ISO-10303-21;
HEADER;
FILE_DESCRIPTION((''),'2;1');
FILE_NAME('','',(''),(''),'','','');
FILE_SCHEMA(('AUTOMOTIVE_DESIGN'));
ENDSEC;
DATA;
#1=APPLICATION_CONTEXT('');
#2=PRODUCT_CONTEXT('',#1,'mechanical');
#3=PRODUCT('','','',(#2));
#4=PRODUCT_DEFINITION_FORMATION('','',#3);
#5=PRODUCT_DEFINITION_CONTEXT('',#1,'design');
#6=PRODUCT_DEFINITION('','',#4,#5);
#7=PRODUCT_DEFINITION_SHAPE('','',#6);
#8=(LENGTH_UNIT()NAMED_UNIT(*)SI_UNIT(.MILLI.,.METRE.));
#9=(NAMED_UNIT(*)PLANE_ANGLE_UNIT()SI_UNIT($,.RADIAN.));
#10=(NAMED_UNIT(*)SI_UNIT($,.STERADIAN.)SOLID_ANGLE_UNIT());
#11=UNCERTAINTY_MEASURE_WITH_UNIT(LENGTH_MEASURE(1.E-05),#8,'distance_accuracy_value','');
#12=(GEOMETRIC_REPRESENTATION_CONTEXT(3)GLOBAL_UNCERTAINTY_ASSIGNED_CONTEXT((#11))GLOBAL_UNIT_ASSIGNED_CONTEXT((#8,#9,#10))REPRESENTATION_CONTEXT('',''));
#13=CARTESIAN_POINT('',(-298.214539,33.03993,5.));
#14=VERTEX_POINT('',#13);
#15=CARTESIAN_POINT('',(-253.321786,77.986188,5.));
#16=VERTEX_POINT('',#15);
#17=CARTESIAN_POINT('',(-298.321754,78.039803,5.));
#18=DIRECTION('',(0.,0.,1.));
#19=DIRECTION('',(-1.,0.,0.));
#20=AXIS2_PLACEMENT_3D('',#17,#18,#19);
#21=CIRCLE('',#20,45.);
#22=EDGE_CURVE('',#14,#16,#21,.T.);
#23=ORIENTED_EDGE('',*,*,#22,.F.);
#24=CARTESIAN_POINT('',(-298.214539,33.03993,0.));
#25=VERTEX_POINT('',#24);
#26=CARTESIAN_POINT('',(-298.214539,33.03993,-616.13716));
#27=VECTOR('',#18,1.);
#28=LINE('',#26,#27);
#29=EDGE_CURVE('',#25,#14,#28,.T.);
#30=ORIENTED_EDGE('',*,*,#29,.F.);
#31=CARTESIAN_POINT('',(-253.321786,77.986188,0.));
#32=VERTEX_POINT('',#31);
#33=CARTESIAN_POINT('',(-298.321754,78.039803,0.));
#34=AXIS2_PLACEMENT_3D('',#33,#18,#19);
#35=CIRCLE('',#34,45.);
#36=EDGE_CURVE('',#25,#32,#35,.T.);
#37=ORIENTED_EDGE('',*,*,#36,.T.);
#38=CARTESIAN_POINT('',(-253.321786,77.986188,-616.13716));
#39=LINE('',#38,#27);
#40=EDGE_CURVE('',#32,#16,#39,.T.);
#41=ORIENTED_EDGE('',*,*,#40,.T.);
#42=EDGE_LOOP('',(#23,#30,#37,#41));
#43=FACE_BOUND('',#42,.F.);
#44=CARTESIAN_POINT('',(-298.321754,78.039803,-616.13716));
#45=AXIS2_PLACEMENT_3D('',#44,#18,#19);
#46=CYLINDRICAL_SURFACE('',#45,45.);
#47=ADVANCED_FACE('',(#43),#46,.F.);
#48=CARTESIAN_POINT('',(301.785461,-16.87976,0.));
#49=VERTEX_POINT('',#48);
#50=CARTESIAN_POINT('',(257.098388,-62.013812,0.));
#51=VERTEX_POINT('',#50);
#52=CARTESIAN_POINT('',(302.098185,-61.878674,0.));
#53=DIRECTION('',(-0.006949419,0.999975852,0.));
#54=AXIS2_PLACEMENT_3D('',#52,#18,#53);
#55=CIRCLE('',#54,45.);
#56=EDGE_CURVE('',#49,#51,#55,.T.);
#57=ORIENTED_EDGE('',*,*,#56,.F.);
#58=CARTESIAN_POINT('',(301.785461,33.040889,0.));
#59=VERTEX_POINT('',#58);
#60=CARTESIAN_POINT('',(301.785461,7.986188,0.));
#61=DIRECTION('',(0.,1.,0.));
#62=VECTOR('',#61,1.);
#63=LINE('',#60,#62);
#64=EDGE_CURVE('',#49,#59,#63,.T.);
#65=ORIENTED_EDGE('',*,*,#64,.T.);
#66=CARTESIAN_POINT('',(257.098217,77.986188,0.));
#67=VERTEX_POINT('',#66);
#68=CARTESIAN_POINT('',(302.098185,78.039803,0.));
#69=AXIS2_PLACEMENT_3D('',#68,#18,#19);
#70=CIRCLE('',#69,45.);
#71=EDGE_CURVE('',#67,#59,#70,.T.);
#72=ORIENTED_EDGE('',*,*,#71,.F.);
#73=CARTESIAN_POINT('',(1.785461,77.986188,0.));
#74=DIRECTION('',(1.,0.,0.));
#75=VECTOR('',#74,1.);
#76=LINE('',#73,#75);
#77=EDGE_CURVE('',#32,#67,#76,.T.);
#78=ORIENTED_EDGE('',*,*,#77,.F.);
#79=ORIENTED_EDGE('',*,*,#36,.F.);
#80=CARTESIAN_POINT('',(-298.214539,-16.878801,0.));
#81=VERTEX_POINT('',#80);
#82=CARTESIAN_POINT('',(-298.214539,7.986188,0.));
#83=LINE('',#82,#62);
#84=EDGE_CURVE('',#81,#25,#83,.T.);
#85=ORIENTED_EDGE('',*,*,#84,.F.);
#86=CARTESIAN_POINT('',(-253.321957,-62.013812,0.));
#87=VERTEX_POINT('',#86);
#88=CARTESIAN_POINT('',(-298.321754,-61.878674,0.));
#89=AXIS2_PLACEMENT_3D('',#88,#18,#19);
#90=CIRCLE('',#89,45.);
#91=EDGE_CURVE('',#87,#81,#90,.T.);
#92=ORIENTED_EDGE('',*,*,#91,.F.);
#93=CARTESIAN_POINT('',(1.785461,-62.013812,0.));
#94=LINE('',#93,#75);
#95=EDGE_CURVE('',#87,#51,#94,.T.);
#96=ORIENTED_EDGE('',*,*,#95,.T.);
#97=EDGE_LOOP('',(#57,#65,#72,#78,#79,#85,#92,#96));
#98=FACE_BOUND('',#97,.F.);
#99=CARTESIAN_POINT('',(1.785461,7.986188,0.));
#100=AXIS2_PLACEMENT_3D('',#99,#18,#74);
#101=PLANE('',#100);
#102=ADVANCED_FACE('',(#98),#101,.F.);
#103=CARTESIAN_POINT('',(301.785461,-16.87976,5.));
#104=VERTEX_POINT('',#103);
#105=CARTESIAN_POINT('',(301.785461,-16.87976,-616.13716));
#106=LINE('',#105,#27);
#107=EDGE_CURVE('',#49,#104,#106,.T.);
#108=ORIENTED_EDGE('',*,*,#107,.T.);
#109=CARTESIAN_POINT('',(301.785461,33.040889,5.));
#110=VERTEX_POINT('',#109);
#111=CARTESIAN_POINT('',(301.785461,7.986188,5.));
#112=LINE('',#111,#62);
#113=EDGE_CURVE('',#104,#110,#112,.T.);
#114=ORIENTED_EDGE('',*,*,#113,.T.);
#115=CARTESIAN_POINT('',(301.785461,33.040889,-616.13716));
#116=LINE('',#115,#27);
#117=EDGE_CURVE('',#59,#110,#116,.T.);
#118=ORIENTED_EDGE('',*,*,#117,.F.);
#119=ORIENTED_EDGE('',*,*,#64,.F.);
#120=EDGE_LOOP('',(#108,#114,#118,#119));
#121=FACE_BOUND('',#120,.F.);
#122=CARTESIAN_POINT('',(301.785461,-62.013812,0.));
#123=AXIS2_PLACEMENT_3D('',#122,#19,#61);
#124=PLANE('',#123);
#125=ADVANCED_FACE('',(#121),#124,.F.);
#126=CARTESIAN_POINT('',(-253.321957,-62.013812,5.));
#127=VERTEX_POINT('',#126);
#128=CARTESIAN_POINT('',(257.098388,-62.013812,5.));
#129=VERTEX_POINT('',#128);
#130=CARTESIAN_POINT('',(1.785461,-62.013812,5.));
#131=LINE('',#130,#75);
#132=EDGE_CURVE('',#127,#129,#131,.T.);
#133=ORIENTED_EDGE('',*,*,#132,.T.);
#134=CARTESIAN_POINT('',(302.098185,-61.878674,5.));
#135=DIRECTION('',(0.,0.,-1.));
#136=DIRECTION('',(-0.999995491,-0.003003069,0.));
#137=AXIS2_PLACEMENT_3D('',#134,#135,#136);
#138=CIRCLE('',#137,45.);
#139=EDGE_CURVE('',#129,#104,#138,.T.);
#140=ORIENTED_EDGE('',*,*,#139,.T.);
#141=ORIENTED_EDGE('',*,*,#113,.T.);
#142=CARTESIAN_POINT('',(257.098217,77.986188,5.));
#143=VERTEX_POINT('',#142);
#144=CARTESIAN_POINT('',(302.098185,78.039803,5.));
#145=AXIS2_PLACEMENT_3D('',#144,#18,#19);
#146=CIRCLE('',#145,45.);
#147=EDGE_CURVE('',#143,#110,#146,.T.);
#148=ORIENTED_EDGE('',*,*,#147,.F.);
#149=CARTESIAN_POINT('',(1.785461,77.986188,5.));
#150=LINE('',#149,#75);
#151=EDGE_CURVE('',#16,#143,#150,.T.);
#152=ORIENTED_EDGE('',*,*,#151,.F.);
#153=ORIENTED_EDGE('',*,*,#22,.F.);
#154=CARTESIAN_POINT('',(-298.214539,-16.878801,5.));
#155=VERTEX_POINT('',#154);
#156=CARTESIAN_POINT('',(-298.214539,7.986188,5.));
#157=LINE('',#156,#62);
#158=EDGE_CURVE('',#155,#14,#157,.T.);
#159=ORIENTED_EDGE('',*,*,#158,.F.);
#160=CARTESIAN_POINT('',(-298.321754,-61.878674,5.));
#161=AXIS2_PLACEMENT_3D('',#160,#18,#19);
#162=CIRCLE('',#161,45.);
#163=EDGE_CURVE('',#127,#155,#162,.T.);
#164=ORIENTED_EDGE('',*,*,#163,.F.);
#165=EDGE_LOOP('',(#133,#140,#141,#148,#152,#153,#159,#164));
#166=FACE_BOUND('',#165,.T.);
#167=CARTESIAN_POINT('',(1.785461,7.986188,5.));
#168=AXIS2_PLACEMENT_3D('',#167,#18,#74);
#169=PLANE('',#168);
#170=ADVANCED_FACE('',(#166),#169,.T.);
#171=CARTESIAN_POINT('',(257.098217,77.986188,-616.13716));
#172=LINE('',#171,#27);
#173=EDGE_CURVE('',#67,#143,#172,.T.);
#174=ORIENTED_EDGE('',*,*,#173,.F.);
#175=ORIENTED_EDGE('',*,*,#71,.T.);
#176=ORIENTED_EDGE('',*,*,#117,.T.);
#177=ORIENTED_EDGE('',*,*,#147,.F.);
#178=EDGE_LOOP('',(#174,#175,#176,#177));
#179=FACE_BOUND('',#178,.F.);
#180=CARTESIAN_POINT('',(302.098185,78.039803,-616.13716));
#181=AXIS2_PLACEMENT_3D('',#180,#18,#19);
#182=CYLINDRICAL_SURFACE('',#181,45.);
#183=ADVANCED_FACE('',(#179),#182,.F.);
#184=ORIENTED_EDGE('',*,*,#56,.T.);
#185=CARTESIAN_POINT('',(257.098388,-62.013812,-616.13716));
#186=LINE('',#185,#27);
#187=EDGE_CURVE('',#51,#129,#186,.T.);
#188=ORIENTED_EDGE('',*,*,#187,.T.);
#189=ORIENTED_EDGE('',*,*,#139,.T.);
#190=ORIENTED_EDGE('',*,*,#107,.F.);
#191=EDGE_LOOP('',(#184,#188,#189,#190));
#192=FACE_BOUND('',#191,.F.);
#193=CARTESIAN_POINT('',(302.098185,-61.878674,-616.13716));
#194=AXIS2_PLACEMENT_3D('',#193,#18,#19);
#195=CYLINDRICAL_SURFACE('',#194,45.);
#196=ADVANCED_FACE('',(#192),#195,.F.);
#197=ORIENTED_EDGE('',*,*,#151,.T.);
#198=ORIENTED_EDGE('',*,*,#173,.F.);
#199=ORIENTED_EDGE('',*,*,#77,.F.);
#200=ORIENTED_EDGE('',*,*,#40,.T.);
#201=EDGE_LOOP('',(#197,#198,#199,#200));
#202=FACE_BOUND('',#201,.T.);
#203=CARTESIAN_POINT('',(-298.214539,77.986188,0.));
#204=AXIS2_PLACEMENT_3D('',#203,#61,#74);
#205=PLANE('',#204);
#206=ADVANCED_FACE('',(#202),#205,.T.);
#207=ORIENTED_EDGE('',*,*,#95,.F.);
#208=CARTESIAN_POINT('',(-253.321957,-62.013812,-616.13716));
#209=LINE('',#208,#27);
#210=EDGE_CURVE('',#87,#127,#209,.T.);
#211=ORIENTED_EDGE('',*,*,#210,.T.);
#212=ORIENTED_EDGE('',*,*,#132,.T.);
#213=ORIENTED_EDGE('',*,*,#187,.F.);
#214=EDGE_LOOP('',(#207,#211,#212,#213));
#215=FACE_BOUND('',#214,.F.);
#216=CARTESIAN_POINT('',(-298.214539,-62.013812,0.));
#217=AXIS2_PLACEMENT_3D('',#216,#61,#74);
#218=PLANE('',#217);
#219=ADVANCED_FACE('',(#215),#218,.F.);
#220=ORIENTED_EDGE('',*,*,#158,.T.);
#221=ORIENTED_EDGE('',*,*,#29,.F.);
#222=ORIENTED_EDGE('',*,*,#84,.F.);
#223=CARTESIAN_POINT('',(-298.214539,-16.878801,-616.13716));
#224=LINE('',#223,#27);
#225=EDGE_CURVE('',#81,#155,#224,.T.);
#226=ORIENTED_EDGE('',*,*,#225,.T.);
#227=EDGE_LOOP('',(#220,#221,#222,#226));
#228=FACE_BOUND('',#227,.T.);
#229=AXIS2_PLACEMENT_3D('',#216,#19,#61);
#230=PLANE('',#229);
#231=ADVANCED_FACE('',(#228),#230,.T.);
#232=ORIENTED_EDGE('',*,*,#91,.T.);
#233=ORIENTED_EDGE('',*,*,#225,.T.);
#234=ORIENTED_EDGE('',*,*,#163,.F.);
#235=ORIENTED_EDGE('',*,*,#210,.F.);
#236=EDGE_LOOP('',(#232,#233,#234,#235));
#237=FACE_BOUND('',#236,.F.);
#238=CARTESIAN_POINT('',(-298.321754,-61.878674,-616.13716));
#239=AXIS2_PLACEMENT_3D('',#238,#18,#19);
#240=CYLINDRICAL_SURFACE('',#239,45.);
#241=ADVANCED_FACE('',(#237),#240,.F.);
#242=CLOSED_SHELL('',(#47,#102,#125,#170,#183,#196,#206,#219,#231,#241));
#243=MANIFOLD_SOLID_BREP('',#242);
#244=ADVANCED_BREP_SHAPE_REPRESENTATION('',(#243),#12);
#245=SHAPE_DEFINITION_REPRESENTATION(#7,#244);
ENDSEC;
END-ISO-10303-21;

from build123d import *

# Parameters (mm, degrees)
F0_W     = 600
F0_H     = 140
F1_DEPTH = 5
F3_D     = 90


with BuildPart() as f1:
    # F0 (on Top) → F1 (new body)
    with BuildSketch(Plane.XY):
        with Locations((1.7854609799, 7.9861881584)):
            Rectangle(F0_W, F0_H)
    extrude(amount=F1_DEPTH)

    # F3 (through all)
    with Locations(Plane(origin=(0, 0, 0), x_dir=(1, 0, 0), z_dir=(0, 0, -1))):
        with Locations((-298.3217537403, -78.0398026109), (-298.3217537403, 61.8786737323), (302.098184824, -78.0398026109), (302.098184824, 61.8786737323)):
            Hole(F3_D / 2)


solid = f1.part
